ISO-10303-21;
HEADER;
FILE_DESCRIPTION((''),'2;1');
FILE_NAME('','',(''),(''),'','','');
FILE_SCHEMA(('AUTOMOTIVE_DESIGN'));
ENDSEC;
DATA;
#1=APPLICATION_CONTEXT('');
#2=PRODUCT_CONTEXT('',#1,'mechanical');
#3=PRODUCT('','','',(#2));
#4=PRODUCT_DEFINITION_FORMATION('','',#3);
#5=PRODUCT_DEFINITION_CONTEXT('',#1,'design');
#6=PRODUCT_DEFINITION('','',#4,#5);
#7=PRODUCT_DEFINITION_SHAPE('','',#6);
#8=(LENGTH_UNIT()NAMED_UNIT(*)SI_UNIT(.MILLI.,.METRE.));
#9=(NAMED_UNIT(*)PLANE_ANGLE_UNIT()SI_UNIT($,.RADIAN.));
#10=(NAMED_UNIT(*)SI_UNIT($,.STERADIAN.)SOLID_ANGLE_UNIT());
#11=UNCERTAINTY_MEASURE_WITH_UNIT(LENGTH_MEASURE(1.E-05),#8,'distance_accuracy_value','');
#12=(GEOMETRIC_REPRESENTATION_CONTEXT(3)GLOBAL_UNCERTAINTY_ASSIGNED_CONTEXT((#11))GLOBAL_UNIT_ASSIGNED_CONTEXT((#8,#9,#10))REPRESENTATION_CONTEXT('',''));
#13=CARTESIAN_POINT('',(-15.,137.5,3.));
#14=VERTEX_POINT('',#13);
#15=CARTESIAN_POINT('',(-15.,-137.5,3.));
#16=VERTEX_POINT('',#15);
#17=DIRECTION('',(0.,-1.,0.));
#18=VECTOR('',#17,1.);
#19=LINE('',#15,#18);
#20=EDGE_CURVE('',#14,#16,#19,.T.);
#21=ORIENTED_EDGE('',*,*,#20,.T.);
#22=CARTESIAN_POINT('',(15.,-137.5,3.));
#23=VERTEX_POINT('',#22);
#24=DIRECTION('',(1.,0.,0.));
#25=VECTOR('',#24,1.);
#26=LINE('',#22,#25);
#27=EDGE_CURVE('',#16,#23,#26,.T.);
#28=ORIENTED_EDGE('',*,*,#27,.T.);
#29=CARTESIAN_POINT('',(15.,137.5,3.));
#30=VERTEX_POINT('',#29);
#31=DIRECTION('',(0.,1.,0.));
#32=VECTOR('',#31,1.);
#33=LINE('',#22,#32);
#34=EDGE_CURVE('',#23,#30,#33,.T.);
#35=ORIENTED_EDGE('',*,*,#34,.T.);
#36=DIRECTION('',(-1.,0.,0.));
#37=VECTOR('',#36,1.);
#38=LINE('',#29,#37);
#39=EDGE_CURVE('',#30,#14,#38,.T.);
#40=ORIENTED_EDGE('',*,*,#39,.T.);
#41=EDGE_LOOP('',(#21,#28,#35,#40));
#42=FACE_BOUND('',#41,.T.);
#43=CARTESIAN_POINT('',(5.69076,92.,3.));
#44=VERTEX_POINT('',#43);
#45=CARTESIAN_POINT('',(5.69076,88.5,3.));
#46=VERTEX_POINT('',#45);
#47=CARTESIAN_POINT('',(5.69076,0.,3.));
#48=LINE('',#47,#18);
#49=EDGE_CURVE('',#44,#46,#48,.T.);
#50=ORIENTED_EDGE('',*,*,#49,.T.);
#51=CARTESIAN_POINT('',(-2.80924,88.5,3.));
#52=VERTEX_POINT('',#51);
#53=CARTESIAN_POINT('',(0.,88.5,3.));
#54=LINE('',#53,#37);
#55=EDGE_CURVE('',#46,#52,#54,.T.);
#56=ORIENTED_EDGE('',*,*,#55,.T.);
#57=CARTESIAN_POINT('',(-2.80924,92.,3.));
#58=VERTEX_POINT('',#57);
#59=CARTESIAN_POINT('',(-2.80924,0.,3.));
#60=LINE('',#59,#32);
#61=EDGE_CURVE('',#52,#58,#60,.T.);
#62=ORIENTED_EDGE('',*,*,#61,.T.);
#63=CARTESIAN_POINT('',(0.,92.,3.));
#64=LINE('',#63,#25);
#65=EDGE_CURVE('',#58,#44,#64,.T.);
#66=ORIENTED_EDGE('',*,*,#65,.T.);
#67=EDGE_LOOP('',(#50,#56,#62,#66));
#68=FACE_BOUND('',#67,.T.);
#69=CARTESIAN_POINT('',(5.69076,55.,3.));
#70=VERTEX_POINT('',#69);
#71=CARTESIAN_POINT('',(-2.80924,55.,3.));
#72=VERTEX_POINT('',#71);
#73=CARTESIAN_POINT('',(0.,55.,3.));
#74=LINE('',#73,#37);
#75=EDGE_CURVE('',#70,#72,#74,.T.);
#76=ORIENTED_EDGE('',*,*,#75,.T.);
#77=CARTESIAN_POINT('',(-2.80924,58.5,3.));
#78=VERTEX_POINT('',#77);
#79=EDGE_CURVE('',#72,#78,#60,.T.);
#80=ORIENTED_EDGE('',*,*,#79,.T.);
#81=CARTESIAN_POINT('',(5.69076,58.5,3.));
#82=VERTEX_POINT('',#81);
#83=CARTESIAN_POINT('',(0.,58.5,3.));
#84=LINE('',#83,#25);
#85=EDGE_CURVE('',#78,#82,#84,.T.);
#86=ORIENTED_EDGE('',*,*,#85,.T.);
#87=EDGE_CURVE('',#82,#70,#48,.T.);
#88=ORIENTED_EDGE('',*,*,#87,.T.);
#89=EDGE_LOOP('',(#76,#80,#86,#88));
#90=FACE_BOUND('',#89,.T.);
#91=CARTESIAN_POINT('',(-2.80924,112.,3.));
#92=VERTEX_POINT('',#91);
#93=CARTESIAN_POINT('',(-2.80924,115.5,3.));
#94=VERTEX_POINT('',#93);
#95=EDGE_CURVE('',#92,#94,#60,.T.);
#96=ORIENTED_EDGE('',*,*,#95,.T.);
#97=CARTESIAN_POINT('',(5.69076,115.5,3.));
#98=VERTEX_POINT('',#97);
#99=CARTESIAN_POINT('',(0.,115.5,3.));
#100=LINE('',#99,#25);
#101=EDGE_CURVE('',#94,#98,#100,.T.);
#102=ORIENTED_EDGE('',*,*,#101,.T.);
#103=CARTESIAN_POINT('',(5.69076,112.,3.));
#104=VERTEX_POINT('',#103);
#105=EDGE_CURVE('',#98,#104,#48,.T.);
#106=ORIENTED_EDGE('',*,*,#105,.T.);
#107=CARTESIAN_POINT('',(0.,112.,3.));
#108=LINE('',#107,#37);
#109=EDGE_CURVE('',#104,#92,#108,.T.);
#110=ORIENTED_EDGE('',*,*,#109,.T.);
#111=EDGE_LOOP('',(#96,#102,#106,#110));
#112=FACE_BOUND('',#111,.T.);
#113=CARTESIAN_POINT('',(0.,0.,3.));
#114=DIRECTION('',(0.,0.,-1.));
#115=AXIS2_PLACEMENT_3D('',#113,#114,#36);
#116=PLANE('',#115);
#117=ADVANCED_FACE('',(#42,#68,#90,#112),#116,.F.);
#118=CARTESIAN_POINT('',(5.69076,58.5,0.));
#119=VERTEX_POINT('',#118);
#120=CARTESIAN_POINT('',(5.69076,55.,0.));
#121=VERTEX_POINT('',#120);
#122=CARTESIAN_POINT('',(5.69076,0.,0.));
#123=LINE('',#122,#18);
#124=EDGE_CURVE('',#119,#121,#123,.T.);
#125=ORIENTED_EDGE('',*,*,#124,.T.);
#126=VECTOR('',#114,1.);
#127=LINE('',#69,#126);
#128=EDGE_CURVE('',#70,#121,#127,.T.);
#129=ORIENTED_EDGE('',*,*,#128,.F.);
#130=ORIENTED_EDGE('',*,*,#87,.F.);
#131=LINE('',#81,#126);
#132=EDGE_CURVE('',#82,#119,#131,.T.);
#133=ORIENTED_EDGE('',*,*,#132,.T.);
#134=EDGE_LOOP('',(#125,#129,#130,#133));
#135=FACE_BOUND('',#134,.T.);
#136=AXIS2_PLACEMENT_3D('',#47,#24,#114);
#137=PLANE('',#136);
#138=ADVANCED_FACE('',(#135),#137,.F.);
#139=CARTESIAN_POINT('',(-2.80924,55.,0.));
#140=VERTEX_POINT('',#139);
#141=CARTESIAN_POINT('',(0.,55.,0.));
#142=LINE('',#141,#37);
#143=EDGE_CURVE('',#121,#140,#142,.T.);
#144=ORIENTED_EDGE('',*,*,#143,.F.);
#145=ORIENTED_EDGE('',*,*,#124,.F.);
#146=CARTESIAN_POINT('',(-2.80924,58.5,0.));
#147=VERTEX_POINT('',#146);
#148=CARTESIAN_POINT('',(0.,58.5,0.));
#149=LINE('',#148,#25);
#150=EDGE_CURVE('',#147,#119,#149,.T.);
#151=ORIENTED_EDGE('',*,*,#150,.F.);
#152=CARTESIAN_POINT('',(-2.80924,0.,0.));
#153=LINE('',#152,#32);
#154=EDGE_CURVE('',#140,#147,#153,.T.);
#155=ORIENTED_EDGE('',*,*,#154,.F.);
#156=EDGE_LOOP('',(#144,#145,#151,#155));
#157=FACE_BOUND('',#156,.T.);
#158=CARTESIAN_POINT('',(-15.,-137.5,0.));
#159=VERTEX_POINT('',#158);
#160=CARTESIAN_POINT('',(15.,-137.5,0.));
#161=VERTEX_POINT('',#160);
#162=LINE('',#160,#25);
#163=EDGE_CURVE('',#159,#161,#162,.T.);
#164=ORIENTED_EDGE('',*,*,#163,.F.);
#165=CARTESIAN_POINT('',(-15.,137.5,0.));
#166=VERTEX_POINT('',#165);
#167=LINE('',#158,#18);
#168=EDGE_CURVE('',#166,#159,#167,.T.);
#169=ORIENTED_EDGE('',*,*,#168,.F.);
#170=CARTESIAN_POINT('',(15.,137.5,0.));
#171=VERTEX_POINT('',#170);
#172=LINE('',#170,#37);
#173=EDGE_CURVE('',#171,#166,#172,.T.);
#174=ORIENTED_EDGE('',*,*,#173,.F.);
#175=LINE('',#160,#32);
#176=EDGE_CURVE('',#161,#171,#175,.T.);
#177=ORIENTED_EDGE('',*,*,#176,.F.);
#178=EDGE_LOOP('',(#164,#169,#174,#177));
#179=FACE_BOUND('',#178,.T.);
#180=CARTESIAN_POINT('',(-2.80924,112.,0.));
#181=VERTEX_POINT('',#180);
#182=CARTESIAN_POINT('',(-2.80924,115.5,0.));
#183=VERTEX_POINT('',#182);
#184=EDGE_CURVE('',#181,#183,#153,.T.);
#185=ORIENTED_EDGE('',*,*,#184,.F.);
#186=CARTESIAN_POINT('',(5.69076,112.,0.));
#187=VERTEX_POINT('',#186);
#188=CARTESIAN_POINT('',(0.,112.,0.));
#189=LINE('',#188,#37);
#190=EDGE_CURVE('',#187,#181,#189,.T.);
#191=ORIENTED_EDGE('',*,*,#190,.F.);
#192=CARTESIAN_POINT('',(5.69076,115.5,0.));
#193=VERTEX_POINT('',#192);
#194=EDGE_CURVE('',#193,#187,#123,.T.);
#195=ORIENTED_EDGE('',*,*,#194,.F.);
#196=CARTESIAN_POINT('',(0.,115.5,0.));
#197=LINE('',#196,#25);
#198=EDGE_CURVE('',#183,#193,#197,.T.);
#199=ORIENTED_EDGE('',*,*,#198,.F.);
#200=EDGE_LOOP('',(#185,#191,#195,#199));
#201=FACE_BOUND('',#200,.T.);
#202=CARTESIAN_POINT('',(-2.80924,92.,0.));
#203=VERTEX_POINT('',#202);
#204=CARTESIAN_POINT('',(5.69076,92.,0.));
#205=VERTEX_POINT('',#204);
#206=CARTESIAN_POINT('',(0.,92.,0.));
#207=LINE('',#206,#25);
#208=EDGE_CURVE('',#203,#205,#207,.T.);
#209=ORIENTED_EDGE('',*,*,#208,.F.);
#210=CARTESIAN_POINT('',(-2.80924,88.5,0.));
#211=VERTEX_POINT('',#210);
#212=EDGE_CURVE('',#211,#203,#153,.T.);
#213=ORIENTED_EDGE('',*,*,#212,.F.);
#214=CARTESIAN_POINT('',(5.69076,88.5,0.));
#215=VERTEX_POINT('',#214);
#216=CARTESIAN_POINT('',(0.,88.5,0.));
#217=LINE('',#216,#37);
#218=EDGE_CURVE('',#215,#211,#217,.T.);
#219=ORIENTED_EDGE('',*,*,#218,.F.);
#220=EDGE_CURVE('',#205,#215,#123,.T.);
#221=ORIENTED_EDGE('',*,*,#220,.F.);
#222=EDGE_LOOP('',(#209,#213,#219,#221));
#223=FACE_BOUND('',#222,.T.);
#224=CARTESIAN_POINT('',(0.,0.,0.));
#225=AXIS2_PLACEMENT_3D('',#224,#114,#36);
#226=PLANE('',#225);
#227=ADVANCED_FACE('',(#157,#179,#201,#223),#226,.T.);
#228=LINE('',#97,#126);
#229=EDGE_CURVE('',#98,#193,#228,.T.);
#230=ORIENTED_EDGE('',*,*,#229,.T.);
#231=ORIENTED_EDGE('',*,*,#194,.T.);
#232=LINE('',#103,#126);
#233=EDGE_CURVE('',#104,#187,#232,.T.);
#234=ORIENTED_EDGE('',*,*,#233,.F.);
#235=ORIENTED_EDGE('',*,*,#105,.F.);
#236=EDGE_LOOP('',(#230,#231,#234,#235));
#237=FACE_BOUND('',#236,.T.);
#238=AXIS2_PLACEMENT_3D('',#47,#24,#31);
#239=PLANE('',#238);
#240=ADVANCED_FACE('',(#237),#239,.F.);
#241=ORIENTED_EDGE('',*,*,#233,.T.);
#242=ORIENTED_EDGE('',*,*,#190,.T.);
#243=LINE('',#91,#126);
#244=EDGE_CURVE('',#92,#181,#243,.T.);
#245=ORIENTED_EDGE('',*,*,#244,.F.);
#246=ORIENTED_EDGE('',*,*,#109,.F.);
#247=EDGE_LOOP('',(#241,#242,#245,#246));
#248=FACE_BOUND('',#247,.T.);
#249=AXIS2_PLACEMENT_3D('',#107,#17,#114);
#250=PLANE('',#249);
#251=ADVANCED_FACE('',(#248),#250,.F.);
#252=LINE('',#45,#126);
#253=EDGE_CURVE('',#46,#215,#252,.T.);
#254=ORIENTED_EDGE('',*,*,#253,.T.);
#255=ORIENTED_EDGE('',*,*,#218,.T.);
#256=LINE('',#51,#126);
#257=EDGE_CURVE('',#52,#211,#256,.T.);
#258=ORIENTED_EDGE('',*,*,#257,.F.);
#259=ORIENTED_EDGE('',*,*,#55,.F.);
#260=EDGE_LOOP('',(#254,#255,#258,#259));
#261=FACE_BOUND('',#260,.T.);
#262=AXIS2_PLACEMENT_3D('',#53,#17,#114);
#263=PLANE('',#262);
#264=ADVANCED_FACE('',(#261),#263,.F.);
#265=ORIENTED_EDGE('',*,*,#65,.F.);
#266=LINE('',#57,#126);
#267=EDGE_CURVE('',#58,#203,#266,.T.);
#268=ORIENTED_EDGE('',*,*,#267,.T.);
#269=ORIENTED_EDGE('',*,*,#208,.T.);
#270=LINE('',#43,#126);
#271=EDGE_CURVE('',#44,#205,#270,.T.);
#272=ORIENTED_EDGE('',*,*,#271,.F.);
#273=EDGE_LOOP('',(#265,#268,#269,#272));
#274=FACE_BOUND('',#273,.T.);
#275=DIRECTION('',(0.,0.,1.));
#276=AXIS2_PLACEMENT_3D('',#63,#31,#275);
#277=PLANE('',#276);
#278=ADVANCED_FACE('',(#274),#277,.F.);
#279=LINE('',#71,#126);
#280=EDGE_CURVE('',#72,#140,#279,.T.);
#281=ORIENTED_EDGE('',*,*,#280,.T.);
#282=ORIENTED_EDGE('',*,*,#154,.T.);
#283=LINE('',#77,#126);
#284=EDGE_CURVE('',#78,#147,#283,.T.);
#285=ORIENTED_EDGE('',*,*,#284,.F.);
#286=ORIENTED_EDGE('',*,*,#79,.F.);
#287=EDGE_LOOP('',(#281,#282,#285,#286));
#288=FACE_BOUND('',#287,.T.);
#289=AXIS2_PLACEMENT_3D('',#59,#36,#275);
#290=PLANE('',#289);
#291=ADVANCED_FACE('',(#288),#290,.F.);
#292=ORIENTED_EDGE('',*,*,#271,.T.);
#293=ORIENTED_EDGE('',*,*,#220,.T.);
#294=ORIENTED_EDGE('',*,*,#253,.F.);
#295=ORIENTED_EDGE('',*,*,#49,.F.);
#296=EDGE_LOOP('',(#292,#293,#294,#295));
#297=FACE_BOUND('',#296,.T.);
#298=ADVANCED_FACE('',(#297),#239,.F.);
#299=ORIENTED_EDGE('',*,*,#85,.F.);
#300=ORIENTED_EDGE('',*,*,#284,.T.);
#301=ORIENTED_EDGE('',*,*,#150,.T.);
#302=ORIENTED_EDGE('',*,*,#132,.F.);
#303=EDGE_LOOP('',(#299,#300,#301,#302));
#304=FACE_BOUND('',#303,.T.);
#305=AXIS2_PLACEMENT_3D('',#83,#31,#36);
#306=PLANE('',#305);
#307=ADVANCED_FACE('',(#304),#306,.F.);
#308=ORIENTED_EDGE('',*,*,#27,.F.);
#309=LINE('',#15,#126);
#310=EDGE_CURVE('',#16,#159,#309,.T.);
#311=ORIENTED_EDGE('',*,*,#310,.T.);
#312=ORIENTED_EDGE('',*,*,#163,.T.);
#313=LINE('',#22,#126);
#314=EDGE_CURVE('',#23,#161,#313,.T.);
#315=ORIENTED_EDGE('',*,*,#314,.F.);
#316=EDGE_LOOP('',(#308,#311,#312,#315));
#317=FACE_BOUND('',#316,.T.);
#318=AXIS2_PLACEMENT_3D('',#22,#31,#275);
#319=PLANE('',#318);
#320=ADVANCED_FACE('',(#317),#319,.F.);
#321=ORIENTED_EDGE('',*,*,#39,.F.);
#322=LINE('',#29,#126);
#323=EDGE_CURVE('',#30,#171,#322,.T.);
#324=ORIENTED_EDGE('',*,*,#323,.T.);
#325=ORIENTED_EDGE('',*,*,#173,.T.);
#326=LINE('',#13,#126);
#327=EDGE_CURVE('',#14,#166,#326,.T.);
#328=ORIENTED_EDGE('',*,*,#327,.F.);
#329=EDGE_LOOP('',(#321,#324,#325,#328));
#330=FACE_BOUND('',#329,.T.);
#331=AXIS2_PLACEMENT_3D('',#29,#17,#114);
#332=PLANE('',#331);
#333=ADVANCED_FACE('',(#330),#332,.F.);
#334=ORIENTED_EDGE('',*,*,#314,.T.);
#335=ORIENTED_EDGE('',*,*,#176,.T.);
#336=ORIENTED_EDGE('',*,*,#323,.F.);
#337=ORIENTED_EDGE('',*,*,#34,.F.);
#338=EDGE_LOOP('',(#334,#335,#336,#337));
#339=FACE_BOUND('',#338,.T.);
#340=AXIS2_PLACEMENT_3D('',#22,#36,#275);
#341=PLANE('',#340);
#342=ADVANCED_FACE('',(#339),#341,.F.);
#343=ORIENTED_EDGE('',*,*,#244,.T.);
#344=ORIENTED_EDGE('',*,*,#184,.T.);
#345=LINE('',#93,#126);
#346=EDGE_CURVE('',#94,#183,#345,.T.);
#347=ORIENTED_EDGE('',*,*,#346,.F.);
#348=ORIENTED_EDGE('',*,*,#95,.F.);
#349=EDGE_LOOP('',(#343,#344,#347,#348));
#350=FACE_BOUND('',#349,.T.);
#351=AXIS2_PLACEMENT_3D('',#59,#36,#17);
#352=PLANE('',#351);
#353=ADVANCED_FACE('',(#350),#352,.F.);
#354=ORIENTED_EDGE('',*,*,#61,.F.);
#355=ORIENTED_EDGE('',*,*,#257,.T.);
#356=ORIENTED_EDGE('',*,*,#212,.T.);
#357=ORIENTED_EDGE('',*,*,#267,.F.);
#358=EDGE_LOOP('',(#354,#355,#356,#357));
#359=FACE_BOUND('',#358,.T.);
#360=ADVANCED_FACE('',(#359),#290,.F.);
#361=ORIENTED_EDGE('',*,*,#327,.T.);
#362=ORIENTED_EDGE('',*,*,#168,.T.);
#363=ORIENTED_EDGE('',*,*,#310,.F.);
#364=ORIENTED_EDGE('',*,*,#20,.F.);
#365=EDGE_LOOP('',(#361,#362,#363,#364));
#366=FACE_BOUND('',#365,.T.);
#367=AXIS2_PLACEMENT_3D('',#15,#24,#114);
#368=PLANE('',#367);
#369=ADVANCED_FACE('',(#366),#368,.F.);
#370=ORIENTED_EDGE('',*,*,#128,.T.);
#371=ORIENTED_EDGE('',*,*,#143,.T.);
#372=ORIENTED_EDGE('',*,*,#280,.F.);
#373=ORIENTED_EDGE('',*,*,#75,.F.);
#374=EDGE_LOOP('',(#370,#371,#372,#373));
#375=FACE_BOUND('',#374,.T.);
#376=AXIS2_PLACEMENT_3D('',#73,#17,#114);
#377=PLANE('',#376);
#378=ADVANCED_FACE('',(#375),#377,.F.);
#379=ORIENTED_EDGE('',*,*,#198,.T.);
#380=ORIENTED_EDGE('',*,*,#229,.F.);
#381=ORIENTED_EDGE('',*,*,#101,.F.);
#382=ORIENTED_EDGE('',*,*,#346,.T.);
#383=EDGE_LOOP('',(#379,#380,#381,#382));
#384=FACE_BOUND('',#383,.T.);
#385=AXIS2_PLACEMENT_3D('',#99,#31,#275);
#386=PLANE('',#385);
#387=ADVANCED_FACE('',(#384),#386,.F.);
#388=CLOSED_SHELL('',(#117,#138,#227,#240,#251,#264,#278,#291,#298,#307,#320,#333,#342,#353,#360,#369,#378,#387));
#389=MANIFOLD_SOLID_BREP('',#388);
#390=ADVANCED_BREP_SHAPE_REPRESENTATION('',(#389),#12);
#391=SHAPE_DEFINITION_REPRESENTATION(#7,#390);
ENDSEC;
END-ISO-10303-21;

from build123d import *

# Parameters (mm, degrees)
SKETCH1_W           = 275
SKETCH1_H           = 30
BOSS_EXTRUDE1_DEPTH = 3
SKETCH2_W           = 8.5
SKETCH2_H           = 3.5
CUT_EXTRUDE1_DEPTH  = 139.348292364


with BuildPart() as part:
    # Sketch1 → Boss-Extrude1 (new body)
    with BuildSketch(Plane(origin=(0, 0, 0), x_dir=(0, 1, 0), z_dir=(0, 0, 1))):
        Rectangle(SKETCH1_W, SKETCH1_H)
    extrude(amount=BOSS_EXTRUDE1_DEPTH)

    # Sketch2 → Cut-Extrude1 (cut, through all)
    with BuildSketch(Plane(origin=(0, 0, 0), x_dir=(1, 0, 0), z_dir=(0, 0, -1))):
        with Locations((1.440759591, -90.25)):
            Rectangle(SKETCH2_W, SKETCH2_H)
        with Locations((1.440759591, -113.75)):
            Rectangle(SKETCH2_W, SKETCH2_H)
        with Locations((1.440759591, -56.75)):
            Rectangle(SKETCH2_W, SKETCH2_H)
    extrude(amount=-CUT_EXTRUDE1_DEPTH, mode=Mode.SUBTRACT)


solid = part.part
